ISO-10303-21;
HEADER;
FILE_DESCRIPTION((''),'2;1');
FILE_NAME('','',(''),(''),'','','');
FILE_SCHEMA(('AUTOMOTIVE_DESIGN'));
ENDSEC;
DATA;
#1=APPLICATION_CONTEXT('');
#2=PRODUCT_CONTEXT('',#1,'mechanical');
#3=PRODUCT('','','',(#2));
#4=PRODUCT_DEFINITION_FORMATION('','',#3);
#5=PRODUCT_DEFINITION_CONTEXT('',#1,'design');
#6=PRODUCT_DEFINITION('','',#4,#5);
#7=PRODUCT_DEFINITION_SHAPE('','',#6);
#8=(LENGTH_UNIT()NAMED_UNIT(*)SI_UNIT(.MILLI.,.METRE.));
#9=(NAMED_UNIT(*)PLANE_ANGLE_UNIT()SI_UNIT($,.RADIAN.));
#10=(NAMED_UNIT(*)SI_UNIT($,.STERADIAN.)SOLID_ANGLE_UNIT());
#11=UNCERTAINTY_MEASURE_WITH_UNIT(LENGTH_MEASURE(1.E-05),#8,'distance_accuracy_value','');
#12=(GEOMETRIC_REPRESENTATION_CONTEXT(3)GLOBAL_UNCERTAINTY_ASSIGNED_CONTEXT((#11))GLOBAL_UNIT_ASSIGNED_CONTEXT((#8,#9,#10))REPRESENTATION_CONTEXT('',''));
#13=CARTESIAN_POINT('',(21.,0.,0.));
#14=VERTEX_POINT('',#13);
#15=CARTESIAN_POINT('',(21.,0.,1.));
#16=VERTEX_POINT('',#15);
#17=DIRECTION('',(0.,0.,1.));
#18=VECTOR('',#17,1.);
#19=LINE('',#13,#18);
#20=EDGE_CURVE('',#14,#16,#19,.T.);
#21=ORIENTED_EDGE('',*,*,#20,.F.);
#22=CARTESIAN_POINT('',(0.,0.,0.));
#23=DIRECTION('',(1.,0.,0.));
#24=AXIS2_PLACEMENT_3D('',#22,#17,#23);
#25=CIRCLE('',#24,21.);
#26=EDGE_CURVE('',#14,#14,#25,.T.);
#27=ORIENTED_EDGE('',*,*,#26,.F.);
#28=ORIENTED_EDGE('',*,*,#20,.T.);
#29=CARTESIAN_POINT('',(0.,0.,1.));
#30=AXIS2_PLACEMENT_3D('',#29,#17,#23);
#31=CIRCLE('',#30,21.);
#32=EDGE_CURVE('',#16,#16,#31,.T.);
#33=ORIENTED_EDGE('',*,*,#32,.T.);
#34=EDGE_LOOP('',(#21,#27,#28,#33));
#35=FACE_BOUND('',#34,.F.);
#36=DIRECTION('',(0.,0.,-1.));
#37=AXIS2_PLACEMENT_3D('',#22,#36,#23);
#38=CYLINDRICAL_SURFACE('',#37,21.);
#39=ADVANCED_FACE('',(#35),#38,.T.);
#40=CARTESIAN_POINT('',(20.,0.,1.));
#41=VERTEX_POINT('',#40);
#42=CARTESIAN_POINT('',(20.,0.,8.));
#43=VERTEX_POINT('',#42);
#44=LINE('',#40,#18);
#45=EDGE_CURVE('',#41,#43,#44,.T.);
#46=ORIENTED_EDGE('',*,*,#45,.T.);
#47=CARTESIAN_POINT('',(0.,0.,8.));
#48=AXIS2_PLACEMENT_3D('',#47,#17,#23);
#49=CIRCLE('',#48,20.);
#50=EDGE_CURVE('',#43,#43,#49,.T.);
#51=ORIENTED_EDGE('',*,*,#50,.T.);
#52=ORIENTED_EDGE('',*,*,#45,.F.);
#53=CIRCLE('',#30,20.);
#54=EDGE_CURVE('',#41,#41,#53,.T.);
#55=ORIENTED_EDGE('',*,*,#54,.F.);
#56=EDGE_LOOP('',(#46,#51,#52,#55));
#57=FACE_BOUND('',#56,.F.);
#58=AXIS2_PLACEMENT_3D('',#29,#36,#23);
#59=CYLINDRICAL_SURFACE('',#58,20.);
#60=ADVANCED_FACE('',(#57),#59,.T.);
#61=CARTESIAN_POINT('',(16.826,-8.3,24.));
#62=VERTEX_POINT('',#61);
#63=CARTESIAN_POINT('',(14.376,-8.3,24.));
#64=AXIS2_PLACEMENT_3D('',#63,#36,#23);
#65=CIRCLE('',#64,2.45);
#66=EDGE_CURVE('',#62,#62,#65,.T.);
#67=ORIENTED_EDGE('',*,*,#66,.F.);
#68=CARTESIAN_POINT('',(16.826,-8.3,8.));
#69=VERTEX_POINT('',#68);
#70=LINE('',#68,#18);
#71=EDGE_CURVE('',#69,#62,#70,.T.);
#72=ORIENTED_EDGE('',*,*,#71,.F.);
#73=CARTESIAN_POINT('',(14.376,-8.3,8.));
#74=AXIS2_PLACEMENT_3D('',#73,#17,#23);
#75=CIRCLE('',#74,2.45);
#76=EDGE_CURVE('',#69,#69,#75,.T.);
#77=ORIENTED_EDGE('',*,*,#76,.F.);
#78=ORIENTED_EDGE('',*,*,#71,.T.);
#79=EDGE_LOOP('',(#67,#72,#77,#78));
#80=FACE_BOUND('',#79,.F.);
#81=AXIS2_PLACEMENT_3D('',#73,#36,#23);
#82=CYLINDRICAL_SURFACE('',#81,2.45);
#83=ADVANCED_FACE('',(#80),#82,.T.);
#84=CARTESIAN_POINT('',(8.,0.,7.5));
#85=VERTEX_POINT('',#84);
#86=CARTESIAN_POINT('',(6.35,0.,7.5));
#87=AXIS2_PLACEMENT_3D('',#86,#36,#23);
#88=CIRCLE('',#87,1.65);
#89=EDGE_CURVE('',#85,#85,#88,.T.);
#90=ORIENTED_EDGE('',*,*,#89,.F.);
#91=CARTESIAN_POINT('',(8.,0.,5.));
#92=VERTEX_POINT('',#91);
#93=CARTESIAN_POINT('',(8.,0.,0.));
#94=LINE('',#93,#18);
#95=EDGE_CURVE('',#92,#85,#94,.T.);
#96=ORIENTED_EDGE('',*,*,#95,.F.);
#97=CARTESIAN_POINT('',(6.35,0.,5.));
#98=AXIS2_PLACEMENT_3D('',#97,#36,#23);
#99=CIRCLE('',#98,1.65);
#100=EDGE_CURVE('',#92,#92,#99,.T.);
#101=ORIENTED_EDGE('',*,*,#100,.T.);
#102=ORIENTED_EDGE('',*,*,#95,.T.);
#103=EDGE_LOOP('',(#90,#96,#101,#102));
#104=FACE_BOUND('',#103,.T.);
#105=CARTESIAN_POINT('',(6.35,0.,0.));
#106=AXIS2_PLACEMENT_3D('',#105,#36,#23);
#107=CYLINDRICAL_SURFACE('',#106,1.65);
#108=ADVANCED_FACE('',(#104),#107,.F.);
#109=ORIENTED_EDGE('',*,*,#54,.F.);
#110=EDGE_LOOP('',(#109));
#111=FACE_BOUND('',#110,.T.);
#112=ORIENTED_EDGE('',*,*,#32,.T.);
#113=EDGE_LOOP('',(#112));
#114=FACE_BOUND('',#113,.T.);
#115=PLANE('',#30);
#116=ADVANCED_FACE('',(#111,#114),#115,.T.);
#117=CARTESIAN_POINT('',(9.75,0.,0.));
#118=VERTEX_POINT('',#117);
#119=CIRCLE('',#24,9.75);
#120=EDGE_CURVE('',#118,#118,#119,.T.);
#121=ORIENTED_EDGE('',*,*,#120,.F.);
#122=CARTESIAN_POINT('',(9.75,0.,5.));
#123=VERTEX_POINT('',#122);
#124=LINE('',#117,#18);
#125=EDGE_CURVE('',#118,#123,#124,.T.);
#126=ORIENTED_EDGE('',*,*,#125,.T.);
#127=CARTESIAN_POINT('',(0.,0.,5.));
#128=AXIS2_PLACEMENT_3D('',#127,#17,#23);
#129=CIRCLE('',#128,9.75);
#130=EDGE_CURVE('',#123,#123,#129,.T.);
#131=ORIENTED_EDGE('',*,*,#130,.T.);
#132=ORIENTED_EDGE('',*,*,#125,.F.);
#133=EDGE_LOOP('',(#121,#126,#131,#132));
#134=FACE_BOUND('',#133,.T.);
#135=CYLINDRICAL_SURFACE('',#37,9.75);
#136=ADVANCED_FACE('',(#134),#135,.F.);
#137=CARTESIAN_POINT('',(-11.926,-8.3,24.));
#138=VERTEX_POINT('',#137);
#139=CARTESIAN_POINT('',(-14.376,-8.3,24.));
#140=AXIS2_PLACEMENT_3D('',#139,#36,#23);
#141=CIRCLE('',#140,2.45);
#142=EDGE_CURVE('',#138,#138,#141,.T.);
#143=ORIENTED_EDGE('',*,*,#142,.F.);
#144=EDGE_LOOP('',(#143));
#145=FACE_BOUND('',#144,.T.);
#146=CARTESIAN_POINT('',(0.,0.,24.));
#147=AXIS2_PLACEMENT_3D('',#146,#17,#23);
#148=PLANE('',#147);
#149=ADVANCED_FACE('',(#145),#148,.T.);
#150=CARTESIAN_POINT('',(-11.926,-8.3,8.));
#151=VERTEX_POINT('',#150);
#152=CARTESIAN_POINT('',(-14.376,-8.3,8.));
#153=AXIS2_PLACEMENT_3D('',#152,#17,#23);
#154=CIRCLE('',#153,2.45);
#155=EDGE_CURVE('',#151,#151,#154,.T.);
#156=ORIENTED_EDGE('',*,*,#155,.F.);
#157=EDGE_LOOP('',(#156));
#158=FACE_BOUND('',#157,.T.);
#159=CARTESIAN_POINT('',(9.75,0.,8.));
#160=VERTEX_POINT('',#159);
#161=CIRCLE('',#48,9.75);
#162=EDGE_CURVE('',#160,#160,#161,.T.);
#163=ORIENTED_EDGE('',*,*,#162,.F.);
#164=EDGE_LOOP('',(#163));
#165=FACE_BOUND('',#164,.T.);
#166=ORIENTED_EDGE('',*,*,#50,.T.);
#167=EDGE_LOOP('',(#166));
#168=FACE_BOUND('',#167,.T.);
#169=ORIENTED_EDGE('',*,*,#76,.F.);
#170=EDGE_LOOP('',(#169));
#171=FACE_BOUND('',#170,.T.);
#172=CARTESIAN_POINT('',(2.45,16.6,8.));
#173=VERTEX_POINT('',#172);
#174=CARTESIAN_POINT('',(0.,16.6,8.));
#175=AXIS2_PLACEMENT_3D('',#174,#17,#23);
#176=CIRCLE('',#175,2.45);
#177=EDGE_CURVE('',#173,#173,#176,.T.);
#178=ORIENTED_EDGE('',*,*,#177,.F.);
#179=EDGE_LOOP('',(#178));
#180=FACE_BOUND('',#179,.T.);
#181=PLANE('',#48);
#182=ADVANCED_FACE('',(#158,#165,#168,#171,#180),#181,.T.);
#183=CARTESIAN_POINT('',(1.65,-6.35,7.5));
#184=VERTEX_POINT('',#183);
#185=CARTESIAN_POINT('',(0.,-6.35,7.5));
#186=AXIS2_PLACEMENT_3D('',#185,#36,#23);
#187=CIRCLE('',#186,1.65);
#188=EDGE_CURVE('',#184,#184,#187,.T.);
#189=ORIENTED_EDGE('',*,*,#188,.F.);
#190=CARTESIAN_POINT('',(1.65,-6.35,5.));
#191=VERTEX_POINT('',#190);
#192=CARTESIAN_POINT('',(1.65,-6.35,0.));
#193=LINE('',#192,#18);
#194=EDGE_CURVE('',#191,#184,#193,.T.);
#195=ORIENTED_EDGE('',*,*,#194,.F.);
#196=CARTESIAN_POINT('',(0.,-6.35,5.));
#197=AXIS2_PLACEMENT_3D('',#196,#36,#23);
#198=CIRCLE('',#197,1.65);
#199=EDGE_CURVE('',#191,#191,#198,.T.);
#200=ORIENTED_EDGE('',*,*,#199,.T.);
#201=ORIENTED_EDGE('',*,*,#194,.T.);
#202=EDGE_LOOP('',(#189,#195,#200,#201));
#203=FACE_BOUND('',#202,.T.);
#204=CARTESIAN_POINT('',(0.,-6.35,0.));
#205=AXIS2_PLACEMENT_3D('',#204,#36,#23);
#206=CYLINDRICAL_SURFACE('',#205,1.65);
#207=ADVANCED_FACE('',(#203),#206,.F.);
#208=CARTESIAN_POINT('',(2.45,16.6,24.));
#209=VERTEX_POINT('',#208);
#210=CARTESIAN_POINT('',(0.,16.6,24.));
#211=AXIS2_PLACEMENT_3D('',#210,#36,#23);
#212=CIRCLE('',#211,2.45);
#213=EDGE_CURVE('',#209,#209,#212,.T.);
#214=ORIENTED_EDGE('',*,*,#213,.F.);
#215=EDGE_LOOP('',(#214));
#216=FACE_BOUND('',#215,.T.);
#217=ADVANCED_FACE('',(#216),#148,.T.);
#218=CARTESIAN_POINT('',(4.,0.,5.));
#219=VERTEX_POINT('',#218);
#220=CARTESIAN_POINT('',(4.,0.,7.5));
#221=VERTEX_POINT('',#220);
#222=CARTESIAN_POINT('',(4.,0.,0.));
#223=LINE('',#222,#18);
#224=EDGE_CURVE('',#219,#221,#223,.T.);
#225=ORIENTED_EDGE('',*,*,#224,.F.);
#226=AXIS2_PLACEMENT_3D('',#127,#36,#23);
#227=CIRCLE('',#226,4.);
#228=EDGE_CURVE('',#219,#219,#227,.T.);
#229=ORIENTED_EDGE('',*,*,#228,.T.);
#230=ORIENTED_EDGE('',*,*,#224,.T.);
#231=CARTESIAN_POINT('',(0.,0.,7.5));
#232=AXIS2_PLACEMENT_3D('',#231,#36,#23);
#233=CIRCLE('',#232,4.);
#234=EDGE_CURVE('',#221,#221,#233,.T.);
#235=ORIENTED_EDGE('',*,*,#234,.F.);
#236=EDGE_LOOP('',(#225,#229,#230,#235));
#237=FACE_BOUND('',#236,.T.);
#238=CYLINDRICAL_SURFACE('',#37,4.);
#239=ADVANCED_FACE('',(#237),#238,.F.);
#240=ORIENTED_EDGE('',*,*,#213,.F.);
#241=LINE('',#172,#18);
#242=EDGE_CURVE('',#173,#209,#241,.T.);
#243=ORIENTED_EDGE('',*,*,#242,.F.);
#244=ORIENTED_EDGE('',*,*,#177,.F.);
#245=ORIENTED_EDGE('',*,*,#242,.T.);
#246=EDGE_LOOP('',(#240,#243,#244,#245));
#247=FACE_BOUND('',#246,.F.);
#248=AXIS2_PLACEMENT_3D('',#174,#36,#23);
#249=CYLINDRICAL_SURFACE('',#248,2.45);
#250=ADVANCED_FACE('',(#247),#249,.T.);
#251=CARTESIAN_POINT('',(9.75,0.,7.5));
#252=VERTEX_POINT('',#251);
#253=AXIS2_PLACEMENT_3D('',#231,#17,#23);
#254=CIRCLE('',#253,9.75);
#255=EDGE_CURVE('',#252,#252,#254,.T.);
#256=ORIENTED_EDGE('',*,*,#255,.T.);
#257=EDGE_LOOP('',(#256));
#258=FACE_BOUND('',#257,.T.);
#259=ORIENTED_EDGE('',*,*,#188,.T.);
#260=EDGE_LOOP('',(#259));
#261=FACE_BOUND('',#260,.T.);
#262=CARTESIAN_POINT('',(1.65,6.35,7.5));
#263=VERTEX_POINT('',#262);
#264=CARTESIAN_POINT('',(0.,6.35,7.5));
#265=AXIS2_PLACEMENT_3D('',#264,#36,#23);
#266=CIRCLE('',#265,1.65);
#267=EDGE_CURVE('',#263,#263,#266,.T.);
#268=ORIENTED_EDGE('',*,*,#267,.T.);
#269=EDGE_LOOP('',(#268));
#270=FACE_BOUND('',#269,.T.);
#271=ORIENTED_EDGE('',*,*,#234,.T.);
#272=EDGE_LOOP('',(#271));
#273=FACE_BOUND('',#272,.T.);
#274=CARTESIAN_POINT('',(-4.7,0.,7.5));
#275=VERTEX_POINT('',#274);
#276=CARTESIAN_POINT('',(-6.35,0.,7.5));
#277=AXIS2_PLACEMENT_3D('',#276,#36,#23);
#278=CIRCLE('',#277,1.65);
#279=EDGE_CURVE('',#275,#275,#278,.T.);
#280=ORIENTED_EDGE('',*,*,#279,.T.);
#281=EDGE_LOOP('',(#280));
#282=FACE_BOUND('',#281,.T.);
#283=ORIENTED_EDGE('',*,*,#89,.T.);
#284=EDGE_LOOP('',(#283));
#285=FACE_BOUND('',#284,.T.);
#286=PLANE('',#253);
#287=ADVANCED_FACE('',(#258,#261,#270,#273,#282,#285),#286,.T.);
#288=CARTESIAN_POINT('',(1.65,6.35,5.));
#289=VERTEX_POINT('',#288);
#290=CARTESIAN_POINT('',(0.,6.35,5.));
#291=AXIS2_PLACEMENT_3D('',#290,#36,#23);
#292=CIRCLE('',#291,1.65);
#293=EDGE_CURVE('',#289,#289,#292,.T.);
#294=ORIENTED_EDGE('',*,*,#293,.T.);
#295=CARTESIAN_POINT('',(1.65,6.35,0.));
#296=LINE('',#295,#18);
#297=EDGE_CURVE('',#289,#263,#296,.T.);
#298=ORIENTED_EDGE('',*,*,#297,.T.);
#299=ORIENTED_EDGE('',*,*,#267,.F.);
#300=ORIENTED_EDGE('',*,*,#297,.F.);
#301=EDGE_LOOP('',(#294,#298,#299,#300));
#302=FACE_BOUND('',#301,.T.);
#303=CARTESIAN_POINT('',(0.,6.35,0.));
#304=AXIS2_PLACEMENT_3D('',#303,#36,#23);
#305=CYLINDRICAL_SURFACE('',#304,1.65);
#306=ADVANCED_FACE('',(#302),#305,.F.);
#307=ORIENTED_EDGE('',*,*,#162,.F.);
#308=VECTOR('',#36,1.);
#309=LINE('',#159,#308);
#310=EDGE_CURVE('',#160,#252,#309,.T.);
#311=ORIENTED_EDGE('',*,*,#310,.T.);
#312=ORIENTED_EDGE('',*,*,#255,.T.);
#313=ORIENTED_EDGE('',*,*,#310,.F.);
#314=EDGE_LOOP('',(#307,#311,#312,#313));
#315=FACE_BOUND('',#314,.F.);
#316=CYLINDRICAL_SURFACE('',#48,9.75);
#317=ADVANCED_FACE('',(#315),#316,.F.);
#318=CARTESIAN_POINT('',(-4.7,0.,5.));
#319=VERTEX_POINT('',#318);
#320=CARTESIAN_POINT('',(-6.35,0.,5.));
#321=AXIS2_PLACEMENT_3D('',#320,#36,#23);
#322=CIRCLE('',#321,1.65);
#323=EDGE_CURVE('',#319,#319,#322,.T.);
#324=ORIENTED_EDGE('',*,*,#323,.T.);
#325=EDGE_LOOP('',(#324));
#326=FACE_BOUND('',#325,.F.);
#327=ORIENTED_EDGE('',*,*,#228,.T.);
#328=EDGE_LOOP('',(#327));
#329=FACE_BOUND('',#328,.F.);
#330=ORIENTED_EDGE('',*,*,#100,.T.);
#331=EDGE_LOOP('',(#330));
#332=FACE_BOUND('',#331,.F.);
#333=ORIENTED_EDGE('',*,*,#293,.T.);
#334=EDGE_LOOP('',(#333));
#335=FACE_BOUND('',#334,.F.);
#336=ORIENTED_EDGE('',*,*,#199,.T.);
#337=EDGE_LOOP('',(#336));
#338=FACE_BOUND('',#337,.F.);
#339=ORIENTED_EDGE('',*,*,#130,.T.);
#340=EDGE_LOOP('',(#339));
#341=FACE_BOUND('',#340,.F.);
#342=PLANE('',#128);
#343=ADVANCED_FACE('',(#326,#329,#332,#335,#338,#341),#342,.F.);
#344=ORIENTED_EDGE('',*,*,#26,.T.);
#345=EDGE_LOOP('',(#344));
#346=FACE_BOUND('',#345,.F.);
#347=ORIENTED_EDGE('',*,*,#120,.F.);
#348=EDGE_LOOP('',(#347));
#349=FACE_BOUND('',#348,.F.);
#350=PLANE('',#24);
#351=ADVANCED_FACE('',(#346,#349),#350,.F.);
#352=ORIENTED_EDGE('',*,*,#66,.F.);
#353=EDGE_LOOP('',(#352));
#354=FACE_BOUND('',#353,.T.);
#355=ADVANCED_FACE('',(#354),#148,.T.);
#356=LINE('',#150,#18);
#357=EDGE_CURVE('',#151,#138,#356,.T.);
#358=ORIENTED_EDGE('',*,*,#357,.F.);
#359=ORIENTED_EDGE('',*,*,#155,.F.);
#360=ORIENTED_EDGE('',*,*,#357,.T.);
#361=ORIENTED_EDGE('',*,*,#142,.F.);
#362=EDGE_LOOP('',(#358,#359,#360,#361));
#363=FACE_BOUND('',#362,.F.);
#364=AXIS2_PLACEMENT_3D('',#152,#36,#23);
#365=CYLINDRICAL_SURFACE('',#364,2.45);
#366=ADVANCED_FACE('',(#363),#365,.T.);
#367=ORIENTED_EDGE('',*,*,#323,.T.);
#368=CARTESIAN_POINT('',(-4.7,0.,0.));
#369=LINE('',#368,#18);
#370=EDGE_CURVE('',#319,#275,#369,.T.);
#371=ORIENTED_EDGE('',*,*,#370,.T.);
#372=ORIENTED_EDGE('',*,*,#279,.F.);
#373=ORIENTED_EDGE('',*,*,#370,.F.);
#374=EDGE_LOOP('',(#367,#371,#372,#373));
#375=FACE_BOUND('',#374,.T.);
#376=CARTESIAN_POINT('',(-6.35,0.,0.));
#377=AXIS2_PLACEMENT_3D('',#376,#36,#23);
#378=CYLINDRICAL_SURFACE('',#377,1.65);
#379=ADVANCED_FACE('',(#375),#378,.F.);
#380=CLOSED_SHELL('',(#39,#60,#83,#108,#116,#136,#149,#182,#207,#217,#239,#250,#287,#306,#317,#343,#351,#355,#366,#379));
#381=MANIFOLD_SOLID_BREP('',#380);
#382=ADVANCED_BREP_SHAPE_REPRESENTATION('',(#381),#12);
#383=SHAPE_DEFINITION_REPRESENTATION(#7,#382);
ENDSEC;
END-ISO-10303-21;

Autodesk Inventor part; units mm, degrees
ref_plane "YZ Plane" through (0, 0, 0) normal (1, 0, 0) x (0, 1, 0)
ref_plane "XZ Plane" through (0, 0, 0) normal (0, 1, 0) x (-1, 0, 0)
ref_plane "XY Plane" through (0, 0, 0) normal (0, 0, 1) x (1, 0, 0)
sketch "Skizze1" plane through (0, 0, 0) normal (0, 0, 1) x (1, 0, 0)
  line L0 (-29.4, 0) -> (29.4, 0) construction
  circle A0 centre (0, 0) radius 16.6 construction
  line L1 (0, 0) -> (-14.376, -8.3) construction
  line L2 (0, 0) -> (14.376, -8.3) construction
  line L3 (0, 29.4) -> (0, -29.4) construction
  line L4 (0, 0) -> (0, 16.6) construction
  circle A1 centre (0, 0) radius 9.75
  circle A2 centre (0, 0) radius 20
  circle A3 centre (0, 0) radius 6.35 construction
  circle A4 centre (-6.35, 0) radius 1.65
  circle A5 centre (0, 6.35) radius 1.65
  circle A6 centre (6.35, 0) radius 1.65
  circle A7 centre (0, -6.35) radius 1.65
  circle A8 centre (0, 0) radius 21
  circle A9 centre (0, 0) radius 21
  circle A10 centre (-14.376, -8.3) radius 2.45
  circle A11 centre (0, 16.6) radius 2.45
  circle A12 centre (14.376, -8.3) radius 2.45
  circle A13 centre (0, 0) radius 19
  circle A14 centre (0, 0) radius 4
  dimension "d1" = 33.2
  dimension "d2" = 120
  dimension "d13" = 120
  dimension "d14" = 19.5
  dimension "d16" = 40
  dimension "d21" = 6.35
  dimension "d22" = 3.3
  dimension "d26" = 1
  dimension "d27" = 1
  dimension "d30" = 4.9
  dimension "d33" = 1
  dimension "d42" = 8
extrude "Extrusion1" add sketch "Skizze1" along normal blind 1 contours A1 | A2 | A4 | A5 | A6 | A7 | A8 | A10 A13 | A10 A13 A11 A12 | A13 A10 | A13 A11 | A11 A13 | A13 A12 | A12 A13 | A14
extrude "Extrusion3" add sketch "Skizze1" along normal blind 7 from surface at 1 contours A1 | A2 | A4 | A5 | A6 | A7 | A10 A13 | A10 A13 A11 A12 | A13 A10 | A13 A11 | A11 A13 | A13 A12 | A12 A13 | A14
extrude "Extrusion8" add sketch "Skizze1" along normal blind 16 from surface at 8 contours A10 A13 | A13 A10 | A13 A11 | A11 A13 | A13 A12 | A12 A13
extrude "Extrusion9" cut sketch "Skizze1" along normal blind 5 contours A1 | A4 | A5 | A6 | A7 | A14
extrude "Extrusion10" cut sketch "Skizze1" along normal through all contours A4 | A5 | A6 | A7 | A14
extrude "Extrusion11" cut sketch "Skizze1" against normal blind 0.5 from surface at 8 contours A1 | A4 | A5 | A6 | A7 | A14
equation "\"d13\" = d2"
properties part number "Output"
